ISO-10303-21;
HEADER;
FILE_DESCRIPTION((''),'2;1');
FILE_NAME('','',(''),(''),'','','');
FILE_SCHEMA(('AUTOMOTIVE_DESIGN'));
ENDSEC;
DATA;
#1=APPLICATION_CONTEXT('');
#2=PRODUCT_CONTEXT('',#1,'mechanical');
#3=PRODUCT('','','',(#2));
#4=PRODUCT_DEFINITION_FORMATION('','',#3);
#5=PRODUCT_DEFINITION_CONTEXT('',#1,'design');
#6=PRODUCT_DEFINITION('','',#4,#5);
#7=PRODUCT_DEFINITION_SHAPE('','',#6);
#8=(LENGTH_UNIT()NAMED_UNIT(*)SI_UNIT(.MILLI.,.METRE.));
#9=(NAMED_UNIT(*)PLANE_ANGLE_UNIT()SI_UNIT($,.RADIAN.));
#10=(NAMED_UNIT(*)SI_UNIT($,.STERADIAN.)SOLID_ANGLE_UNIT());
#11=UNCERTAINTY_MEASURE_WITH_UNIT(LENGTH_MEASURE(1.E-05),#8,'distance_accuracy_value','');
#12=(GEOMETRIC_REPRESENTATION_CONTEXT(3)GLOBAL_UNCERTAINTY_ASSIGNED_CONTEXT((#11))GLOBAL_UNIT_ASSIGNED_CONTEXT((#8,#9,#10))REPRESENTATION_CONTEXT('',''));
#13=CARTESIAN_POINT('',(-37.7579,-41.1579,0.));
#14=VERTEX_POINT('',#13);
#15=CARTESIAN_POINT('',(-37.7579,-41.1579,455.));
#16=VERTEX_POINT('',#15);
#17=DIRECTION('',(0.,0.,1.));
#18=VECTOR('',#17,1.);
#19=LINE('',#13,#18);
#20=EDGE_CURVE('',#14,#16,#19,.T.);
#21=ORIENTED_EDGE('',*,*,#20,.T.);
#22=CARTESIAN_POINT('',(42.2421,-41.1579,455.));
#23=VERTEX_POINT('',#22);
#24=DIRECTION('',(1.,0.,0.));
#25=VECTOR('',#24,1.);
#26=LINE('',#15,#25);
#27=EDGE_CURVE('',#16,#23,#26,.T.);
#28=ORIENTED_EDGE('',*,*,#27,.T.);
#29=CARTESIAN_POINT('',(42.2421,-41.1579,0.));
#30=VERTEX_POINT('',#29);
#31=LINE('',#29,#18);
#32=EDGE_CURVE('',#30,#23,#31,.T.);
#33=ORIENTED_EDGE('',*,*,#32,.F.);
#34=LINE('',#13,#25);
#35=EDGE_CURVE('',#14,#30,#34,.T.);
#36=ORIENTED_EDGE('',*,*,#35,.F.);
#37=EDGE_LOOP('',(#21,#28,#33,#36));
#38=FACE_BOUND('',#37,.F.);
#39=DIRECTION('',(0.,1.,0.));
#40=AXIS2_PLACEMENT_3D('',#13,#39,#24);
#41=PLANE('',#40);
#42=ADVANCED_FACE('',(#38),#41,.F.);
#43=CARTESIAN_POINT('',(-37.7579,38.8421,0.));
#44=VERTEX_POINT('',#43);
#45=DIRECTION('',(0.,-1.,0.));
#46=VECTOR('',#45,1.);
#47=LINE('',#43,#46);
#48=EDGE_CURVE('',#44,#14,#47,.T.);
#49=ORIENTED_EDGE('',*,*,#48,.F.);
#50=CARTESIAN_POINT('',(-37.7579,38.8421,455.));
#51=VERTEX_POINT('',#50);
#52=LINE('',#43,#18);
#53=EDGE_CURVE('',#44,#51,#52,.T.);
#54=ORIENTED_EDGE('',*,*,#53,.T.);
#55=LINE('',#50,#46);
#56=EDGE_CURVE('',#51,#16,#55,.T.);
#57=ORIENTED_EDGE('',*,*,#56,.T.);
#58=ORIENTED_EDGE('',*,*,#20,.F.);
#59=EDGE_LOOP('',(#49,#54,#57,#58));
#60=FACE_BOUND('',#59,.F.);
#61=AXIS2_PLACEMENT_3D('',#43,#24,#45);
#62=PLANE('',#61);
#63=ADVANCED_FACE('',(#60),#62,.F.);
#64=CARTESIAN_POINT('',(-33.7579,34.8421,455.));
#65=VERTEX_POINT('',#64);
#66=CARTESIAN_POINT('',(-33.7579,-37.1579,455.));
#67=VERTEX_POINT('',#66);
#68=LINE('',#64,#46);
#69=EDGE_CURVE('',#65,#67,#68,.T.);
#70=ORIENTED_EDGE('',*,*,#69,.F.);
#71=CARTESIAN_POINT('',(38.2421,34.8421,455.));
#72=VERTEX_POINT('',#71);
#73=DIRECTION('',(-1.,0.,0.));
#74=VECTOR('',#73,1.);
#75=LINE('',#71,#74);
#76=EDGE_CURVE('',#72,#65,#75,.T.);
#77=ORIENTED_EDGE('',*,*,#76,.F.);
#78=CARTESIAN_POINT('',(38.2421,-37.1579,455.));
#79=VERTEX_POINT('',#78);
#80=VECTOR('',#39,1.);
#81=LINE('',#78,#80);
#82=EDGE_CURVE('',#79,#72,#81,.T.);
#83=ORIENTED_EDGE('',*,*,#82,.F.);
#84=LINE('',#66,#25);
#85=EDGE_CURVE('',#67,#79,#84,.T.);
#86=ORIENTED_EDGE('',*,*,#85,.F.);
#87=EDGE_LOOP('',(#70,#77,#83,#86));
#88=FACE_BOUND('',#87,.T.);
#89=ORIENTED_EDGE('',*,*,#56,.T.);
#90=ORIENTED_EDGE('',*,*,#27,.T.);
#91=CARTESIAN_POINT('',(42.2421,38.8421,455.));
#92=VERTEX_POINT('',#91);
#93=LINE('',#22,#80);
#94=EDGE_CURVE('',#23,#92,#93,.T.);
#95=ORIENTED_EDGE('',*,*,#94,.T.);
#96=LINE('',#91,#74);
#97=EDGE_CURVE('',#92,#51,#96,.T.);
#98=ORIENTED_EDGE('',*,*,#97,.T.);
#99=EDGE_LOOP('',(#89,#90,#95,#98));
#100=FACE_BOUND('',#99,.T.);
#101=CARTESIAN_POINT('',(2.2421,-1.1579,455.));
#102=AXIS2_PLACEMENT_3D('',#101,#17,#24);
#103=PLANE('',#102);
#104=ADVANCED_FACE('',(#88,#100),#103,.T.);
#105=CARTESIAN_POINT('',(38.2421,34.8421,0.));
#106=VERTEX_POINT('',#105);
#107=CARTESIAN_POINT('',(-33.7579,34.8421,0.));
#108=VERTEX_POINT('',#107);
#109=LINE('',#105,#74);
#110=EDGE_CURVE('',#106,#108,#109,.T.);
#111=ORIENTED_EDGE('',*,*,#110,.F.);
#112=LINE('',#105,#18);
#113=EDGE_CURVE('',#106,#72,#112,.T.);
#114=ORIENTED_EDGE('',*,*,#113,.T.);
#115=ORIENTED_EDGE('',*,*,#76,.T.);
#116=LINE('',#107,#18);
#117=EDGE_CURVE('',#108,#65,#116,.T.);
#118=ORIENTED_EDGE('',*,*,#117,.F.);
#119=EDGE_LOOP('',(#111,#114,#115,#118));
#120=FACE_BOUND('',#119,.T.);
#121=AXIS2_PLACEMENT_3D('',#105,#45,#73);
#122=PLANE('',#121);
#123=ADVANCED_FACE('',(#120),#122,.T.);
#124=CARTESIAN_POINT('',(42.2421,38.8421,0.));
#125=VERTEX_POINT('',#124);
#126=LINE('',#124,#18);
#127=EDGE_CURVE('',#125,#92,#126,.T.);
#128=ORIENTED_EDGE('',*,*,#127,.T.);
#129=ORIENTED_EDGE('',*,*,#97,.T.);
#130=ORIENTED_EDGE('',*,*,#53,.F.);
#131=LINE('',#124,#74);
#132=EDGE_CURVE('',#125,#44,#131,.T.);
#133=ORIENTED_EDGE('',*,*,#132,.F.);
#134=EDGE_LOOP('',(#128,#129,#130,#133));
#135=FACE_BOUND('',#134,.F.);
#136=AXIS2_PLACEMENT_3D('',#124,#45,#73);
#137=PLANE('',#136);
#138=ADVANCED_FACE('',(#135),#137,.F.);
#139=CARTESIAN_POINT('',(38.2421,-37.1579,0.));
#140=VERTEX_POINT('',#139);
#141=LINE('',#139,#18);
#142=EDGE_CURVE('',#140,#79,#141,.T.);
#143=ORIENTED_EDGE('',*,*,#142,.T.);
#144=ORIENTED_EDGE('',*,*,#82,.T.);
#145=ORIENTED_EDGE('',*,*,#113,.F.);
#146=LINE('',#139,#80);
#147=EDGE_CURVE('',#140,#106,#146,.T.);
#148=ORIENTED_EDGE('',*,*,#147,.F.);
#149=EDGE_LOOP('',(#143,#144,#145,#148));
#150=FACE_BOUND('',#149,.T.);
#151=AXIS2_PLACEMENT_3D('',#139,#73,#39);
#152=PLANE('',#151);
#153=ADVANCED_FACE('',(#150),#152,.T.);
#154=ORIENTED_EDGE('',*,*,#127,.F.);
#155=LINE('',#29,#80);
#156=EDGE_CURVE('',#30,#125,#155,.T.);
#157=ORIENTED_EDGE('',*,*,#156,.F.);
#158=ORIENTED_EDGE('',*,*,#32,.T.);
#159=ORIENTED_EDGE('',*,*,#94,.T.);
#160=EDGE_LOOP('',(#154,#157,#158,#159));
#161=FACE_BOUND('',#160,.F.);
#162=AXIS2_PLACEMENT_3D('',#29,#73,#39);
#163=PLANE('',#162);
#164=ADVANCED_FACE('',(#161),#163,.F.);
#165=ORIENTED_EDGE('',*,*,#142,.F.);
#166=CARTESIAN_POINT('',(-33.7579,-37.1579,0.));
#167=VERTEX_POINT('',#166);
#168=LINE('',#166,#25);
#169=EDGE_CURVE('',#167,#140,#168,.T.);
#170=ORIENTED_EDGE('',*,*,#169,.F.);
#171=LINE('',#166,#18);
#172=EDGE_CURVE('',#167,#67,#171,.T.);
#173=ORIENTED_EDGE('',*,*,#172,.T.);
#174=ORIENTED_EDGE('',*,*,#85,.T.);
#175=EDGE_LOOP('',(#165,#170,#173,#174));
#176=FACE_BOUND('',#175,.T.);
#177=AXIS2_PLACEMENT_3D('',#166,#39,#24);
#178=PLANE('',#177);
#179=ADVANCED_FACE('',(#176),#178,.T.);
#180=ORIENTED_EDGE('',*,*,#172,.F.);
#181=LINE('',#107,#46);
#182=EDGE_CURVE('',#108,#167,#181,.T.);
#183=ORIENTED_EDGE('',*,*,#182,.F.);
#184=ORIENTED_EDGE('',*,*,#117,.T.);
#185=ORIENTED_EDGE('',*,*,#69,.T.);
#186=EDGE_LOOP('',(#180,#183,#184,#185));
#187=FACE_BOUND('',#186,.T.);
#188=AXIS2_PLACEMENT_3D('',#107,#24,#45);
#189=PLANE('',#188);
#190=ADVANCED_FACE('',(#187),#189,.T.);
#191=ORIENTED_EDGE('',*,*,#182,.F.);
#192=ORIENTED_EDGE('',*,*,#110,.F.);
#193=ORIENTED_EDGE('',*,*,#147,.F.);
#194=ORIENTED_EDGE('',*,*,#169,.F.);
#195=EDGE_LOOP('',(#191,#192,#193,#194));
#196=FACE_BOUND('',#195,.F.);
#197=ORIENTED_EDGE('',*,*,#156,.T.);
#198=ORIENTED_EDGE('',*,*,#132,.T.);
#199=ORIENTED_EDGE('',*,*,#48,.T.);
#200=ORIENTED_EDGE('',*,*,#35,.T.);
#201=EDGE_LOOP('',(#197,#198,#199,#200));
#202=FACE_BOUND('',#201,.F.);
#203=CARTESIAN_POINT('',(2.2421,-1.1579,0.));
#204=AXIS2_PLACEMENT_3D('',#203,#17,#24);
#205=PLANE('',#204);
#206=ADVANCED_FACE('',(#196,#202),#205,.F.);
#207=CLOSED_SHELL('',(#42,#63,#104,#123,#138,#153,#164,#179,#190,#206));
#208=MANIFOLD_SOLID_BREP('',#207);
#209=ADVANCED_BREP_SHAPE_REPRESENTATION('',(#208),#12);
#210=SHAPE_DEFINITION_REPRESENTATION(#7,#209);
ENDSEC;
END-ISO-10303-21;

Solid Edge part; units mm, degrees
sketch "Sketch1" plane through (0, 0, 0) normal (0, 0, 1) x (1, 0, 0)
  line L0 (-33.7579, 34.8421) -> (-33.7579, -37.1579)
  line L1 (-33.7579, -37.1579) -> (38.2421, -37.1579)
  line L2 (38.2421, -37.1579) -> (38.2421, 34.8421)
  line L3 (38.2421, 34.8421) -> (-33.7579, 34.8421)
  line L4 (-37.7579, 38.8421) -> (-37.7579, -41.1579)
  line L5 (-37.7579, -41.1579) -> (42.2421, -41.1579)
  line L6 (42.2421, -41.1579) -> (42.2421, 38.8421)
  line L7 (42.2421, 38.8421) -> (-37.7579, 38.8421)
  dimension "D1" = 80
  dimension "D2" = 80
  dimension "D3" = 4
  dimension "D4" = 4
  dimension "D5" = 4
  dimension "D6" = 4
extrude "Protrusion1" add sketch "Sketch1" along normal blind 455
